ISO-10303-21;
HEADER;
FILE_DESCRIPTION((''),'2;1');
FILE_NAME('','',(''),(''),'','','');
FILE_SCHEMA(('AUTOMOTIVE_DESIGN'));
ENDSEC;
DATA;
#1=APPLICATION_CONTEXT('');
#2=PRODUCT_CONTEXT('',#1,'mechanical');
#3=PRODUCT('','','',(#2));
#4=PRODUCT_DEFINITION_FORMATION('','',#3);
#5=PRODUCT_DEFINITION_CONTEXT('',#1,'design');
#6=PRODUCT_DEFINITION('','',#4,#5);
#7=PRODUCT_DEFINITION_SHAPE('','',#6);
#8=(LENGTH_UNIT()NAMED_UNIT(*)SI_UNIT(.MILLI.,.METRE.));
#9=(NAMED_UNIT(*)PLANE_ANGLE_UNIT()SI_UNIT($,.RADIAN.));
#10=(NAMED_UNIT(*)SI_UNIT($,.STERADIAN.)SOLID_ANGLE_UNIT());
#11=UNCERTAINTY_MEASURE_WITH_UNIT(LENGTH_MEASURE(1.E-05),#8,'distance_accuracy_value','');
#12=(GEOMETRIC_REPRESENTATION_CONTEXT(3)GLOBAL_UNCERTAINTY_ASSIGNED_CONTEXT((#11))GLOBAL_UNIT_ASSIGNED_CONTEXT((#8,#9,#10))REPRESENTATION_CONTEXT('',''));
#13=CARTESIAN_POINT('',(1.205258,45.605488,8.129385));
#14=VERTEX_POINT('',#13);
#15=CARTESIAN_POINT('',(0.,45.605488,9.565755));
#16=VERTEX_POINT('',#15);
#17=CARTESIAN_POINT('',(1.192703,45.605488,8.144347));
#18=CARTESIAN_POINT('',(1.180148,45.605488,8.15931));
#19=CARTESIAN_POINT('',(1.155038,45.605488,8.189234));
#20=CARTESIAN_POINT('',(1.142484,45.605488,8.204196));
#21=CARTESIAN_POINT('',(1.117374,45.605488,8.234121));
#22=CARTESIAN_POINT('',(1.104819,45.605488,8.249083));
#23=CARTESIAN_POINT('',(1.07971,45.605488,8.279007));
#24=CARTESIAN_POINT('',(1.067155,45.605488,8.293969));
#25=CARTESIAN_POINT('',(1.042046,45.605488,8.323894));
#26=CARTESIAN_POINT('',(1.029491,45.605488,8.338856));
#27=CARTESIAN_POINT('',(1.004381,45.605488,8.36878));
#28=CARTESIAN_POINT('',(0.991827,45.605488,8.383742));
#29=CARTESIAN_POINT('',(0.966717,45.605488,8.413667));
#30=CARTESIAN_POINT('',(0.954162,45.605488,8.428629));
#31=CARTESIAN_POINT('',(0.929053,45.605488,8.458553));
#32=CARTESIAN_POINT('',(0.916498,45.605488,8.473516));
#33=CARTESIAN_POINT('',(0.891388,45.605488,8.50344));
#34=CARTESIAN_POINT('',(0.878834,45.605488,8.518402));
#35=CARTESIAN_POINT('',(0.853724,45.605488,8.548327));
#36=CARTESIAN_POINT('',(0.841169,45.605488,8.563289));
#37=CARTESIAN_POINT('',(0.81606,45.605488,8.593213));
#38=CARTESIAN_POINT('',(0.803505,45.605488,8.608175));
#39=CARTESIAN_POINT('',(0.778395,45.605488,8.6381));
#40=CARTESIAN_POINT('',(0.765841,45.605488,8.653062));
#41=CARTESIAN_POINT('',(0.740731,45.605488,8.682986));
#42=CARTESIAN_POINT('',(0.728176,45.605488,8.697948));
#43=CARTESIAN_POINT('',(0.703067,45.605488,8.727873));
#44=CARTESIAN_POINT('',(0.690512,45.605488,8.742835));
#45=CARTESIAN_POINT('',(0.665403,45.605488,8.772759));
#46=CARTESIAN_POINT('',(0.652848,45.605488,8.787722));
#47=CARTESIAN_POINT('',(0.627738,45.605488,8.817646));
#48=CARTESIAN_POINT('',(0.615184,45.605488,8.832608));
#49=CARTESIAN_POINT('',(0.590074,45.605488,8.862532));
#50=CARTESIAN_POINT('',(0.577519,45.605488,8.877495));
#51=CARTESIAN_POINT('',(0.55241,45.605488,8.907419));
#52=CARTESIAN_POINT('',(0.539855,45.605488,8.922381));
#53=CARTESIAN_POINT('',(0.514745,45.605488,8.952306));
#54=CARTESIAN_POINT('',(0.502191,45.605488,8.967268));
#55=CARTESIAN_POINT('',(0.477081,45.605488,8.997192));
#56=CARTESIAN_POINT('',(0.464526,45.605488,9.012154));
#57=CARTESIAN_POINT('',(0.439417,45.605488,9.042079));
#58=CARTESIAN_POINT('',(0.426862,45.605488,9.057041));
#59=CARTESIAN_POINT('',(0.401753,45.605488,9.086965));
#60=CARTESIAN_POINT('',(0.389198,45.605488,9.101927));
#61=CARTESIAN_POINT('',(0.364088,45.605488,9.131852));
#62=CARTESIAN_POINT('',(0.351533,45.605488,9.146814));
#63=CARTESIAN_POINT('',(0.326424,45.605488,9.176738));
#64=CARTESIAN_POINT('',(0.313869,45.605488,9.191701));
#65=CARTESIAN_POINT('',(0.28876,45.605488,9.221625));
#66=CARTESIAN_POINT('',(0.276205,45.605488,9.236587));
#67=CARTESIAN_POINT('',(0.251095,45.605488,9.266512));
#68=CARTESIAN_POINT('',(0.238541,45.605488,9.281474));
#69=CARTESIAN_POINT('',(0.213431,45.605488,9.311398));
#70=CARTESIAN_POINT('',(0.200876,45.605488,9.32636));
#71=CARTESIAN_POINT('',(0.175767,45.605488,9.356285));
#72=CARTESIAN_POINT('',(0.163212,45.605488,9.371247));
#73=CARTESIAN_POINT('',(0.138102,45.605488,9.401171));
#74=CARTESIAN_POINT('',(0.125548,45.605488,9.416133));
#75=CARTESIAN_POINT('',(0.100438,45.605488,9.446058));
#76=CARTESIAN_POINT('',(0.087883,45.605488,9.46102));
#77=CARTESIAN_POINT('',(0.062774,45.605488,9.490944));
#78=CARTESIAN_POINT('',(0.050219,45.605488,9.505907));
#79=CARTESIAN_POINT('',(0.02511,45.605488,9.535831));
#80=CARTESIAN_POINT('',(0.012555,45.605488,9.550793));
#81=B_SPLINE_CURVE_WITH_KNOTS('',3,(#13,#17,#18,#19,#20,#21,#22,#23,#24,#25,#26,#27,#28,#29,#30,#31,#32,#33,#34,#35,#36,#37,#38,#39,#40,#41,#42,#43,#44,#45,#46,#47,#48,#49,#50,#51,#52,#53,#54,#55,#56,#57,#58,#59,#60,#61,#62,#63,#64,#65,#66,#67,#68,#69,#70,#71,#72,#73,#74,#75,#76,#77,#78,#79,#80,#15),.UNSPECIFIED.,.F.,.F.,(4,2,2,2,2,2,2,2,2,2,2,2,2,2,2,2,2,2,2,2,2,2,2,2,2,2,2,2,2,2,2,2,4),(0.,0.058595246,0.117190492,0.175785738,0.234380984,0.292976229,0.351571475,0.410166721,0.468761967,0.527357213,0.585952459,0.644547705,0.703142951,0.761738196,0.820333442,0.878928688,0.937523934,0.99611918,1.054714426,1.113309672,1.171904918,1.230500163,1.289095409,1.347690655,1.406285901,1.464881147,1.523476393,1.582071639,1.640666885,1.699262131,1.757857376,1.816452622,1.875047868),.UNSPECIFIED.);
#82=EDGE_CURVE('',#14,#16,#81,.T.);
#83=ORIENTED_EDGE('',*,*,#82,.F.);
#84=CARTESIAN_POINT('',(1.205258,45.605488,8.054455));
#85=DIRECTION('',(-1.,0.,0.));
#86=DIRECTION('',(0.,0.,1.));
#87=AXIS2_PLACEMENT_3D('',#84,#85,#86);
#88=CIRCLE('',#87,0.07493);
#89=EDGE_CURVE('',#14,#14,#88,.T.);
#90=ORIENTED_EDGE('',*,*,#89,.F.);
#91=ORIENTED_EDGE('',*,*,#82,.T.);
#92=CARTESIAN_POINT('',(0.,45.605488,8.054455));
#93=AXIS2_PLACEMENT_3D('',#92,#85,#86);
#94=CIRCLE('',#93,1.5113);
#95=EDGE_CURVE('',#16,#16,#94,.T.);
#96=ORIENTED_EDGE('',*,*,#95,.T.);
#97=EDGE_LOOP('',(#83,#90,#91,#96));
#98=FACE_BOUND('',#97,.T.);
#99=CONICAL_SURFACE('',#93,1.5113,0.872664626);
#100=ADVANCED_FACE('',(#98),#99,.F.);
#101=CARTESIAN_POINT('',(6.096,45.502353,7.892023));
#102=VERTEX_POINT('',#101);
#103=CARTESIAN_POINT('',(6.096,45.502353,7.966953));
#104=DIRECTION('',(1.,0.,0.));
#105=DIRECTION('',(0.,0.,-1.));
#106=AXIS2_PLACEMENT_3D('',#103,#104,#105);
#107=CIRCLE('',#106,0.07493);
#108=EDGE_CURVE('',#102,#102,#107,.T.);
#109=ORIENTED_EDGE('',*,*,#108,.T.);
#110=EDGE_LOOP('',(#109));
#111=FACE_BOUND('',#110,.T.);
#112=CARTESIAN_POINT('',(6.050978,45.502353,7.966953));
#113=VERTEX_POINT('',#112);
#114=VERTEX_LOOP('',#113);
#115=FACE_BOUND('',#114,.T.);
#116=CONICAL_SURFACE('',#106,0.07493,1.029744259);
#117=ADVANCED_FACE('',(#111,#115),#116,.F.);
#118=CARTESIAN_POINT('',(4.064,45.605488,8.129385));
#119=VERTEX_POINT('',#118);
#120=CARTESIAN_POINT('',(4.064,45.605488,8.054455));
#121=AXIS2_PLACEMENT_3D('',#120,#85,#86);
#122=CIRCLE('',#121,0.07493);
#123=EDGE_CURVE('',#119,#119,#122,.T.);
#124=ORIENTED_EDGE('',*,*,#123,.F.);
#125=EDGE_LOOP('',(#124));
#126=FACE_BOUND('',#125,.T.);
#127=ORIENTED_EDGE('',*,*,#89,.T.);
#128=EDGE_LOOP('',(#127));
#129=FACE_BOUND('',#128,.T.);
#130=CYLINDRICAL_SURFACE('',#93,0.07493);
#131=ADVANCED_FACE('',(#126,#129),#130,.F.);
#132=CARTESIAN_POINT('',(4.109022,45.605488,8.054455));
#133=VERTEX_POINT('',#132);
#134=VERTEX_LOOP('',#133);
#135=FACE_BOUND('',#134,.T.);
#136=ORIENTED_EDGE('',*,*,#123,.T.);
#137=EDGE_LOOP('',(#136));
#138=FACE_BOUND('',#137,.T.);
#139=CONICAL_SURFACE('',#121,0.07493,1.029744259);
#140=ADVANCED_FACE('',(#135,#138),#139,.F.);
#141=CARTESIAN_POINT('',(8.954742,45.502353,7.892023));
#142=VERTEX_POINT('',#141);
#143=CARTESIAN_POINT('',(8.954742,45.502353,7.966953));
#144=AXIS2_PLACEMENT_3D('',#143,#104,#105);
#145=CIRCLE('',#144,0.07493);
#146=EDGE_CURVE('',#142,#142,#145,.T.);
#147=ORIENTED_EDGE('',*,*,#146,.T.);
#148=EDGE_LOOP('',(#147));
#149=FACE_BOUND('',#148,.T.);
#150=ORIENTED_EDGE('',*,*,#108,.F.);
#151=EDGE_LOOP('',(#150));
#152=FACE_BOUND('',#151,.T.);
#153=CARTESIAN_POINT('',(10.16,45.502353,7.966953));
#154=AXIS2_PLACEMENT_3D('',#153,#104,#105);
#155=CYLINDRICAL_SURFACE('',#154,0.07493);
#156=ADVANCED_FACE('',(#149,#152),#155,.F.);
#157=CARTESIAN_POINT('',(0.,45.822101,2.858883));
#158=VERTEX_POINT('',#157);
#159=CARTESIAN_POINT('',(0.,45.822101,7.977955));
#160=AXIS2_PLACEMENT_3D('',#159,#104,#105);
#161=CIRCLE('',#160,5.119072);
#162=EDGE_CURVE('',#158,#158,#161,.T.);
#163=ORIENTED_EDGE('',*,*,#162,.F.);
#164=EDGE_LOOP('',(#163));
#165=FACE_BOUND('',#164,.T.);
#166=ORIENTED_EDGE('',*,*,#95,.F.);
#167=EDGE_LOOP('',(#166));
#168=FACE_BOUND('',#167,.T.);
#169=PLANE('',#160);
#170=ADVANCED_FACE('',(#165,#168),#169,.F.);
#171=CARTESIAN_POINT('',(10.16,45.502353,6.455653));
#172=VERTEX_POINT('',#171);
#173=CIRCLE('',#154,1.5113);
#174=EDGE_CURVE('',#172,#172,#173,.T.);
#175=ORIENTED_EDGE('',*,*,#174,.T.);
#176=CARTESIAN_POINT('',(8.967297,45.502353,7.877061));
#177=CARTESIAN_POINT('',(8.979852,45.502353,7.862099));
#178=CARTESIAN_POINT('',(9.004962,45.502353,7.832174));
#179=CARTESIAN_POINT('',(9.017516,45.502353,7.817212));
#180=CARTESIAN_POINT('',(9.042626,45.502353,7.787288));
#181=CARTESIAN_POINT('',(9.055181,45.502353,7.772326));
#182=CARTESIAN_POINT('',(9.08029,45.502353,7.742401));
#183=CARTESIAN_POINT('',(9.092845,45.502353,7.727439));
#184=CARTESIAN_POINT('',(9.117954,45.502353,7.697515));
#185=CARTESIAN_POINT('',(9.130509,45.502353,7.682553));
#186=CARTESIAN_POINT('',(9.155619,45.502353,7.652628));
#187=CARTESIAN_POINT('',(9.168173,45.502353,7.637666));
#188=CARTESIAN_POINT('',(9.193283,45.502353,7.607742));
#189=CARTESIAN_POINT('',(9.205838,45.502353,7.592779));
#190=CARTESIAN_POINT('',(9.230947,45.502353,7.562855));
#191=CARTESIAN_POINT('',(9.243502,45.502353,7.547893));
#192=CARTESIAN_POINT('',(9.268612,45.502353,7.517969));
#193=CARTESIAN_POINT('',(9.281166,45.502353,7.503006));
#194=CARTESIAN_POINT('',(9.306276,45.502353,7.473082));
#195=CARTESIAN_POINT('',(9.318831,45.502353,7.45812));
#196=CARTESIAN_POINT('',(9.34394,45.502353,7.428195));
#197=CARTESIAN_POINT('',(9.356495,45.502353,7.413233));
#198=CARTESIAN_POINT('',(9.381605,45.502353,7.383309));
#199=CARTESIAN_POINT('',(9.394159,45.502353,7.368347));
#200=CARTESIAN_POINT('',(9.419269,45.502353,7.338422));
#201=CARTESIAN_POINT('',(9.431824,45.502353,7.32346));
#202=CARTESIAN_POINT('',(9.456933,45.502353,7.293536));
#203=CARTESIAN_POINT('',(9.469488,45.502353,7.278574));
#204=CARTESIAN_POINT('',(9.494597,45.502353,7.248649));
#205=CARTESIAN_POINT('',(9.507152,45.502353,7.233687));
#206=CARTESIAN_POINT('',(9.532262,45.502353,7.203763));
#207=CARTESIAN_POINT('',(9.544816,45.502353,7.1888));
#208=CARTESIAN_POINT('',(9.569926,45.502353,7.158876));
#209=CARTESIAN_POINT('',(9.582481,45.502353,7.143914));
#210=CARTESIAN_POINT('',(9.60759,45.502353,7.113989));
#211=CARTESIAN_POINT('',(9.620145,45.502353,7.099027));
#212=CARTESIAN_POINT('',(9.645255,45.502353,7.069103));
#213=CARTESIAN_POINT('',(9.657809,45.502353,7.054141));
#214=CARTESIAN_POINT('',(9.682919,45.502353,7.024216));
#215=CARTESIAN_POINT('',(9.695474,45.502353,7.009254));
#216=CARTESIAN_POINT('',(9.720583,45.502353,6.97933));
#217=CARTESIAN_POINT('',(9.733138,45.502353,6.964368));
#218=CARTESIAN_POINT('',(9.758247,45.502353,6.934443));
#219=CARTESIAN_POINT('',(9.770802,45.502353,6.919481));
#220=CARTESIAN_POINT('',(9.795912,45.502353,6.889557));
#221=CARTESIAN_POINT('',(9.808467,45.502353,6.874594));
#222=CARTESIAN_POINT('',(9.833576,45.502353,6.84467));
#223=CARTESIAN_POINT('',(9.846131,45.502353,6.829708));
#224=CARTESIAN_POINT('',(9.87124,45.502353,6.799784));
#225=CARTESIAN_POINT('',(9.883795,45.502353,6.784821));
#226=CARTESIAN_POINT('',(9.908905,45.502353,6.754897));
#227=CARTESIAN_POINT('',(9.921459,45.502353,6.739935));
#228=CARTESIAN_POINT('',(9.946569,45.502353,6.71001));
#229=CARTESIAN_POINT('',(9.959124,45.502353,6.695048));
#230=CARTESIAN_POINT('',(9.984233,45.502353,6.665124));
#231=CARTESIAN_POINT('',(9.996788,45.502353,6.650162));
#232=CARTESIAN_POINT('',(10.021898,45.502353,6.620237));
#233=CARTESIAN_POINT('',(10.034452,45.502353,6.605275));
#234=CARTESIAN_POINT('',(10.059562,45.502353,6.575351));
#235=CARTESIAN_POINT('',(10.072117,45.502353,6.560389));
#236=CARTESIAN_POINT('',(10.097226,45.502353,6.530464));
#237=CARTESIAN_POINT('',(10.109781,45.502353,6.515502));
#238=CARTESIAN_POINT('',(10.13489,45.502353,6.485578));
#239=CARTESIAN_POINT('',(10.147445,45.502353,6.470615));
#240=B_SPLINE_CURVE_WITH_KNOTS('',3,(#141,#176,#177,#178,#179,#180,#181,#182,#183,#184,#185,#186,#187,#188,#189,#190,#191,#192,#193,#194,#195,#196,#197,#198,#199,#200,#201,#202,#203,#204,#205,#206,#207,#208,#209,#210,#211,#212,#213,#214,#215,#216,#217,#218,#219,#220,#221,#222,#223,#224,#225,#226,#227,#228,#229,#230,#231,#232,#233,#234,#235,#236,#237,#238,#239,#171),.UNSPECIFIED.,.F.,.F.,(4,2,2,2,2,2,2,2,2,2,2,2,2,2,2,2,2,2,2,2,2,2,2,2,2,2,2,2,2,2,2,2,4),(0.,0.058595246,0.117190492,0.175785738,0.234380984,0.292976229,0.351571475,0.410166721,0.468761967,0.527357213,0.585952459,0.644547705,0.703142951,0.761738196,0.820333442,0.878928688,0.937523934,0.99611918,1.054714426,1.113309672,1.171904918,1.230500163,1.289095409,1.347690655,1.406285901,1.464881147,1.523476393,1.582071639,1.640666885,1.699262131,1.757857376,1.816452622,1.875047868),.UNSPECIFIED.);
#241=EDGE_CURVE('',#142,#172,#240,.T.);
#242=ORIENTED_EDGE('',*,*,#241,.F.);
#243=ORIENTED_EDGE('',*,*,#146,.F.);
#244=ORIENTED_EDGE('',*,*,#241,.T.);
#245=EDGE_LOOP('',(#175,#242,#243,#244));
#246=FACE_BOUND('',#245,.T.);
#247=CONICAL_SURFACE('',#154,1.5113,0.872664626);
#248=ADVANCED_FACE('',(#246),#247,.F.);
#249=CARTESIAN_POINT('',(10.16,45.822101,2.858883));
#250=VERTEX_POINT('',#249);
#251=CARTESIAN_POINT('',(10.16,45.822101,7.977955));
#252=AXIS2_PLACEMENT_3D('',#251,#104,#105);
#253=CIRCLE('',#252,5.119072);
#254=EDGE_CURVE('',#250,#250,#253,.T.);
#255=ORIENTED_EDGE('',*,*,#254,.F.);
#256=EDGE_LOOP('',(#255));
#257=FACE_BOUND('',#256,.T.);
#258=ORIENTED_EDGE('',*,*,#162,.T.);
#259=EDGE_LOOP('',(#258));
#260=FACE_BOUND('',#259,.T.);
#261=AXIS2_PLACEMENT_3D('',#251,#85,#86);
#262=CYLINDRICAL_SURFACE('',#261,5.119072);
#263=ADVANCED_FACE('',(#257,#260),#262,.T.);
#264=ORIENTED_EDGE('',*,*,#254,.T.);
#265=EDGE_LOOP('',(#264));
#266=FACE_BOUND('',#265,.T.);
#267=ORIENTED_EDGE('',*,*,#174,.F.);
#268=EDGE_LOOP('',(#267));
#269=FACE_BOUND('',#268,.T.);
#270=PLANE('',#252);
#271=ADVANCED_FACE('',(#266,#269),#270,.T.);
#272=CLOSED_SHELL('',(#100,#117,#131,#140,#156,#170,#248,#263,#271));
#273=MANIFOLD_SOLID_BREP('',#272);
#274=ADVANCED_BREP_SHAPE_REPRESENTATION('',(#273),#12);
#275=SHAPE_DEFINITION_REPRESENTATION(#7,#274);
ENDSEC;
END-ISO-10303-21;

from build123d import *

# Parameters (mm, degrees)
SKETCH1_R                              = 5.119071812
BOSS_EXTRUDE1_DEPTH                    = 10.16
F_97_0_0059_DIAMETER_HOLE1_D           = 0.14986
F_97_0_0059_DIAMETER_HOLE1_DEPTH       = 4.064
F_97_0_0059_DIAMETER_HOLE1_CSINK_D     = 3.0226
F_97_0_0059_DIAMETER_HOLE1_CSINK_ANGLE = 100
F_97_0_0059_DIAMETER_HOLE1_TIP         = 0.045022486
F_97_0_0059_DIAMETER_HOLE2_D           = 0.14986
F_97_0_0059_DIAMETER_HOLE2_DEPTH       = 4.064
F_97_0_0059_DIAMETER_HOLE2_CSINK_D     = 3.0226
F_97_0_0059_DIAMETER_HOLE2_CSINK_ANGLE = 100
F_97_0_0059_DIAMETER_HOLE2_TIP         = 0.045022486


with BuildPart() as part:
    # Sketch1 → Boss-Extrude1 (new body)
    with BuildSketch(Plane(origin=(0, 0, 0), x_dir=(0, 0, -1), z_dir=(1, 0, 0))):
        with Locations((-7.977955169, 45.822101484)):
            Circle(SKETCH1_R)
    extrude(amount=BOSS_EXTRUDE1_DEPTH)

    # #97 (0.0059) Diameter Hole1
    with Locations(Plane(origin=(10.16, 0, 0), x_dir=(0, 0, -1), z_dir=(1, 0, 0))):
        with Locations((-7.966953198, 45.502352874), (-8.184469296, 76.052039223), (-8.264751999, 76.50814273)):
            CounterSinkHole(F_97_0_0059_DIAMETER_HOLE1_D / 2, F_97_0_0059_DIAMETER_HOLE1_CSINK_D / 2, depth=F_97_0_0059_DIAMETER_HOLE1_DEPTH, counter_sink_angle=F_97_0_0059_DIAMETER_HOLE1_CSINK_ANGLE)
            with Locations((0, 0, -(F_97_0_0059_DIAMETER_HOLE1_DEPTH + F_97_0_0059_DIAMETER_HOLE1_TIP / 2))):  # 118° drill point
                Cone(0, F_97_0_0059_DIAMETER_HOLE1_D / 2, F_97_0_0059_DIAMETER_HOLE1_TIP, mode=Mode.SUBTRACT)

    # #97 (0.0059) Diameter Hole2
    with Locations(Plane.ZY):
        with Locations((8.054455303, 45.605487912), (7.835684071, 14.98353801)):
            CounterSinkHole(F_97_0_0059_DIAMETER_HOLE2_D / 2, F_97_0_0059_DIAMETER_HOLE2_CSINK_D / 2, depth=F_97_0_0059_DIAMETER_HOLE2_DEPTH, counter_sink_angle=F_97_0_0059_DIAMETER_HOLE2_CSINK_ANGLE)
            with Locations((0, 0, -(F_97_0_0059_DIAMETER_HOLE2_DEPTH + F_97_0_0059_DIAMETER_HOLE2_TIP / 2))):  # 118° drill point
                Cone(0, F_97_0_0059_DIAMETER_HOLE2_D / 2, F_97_0_0059_DIAMETER_HOLE2_TIP, mode=Mode.SUBTRACT)


solid = part.part
